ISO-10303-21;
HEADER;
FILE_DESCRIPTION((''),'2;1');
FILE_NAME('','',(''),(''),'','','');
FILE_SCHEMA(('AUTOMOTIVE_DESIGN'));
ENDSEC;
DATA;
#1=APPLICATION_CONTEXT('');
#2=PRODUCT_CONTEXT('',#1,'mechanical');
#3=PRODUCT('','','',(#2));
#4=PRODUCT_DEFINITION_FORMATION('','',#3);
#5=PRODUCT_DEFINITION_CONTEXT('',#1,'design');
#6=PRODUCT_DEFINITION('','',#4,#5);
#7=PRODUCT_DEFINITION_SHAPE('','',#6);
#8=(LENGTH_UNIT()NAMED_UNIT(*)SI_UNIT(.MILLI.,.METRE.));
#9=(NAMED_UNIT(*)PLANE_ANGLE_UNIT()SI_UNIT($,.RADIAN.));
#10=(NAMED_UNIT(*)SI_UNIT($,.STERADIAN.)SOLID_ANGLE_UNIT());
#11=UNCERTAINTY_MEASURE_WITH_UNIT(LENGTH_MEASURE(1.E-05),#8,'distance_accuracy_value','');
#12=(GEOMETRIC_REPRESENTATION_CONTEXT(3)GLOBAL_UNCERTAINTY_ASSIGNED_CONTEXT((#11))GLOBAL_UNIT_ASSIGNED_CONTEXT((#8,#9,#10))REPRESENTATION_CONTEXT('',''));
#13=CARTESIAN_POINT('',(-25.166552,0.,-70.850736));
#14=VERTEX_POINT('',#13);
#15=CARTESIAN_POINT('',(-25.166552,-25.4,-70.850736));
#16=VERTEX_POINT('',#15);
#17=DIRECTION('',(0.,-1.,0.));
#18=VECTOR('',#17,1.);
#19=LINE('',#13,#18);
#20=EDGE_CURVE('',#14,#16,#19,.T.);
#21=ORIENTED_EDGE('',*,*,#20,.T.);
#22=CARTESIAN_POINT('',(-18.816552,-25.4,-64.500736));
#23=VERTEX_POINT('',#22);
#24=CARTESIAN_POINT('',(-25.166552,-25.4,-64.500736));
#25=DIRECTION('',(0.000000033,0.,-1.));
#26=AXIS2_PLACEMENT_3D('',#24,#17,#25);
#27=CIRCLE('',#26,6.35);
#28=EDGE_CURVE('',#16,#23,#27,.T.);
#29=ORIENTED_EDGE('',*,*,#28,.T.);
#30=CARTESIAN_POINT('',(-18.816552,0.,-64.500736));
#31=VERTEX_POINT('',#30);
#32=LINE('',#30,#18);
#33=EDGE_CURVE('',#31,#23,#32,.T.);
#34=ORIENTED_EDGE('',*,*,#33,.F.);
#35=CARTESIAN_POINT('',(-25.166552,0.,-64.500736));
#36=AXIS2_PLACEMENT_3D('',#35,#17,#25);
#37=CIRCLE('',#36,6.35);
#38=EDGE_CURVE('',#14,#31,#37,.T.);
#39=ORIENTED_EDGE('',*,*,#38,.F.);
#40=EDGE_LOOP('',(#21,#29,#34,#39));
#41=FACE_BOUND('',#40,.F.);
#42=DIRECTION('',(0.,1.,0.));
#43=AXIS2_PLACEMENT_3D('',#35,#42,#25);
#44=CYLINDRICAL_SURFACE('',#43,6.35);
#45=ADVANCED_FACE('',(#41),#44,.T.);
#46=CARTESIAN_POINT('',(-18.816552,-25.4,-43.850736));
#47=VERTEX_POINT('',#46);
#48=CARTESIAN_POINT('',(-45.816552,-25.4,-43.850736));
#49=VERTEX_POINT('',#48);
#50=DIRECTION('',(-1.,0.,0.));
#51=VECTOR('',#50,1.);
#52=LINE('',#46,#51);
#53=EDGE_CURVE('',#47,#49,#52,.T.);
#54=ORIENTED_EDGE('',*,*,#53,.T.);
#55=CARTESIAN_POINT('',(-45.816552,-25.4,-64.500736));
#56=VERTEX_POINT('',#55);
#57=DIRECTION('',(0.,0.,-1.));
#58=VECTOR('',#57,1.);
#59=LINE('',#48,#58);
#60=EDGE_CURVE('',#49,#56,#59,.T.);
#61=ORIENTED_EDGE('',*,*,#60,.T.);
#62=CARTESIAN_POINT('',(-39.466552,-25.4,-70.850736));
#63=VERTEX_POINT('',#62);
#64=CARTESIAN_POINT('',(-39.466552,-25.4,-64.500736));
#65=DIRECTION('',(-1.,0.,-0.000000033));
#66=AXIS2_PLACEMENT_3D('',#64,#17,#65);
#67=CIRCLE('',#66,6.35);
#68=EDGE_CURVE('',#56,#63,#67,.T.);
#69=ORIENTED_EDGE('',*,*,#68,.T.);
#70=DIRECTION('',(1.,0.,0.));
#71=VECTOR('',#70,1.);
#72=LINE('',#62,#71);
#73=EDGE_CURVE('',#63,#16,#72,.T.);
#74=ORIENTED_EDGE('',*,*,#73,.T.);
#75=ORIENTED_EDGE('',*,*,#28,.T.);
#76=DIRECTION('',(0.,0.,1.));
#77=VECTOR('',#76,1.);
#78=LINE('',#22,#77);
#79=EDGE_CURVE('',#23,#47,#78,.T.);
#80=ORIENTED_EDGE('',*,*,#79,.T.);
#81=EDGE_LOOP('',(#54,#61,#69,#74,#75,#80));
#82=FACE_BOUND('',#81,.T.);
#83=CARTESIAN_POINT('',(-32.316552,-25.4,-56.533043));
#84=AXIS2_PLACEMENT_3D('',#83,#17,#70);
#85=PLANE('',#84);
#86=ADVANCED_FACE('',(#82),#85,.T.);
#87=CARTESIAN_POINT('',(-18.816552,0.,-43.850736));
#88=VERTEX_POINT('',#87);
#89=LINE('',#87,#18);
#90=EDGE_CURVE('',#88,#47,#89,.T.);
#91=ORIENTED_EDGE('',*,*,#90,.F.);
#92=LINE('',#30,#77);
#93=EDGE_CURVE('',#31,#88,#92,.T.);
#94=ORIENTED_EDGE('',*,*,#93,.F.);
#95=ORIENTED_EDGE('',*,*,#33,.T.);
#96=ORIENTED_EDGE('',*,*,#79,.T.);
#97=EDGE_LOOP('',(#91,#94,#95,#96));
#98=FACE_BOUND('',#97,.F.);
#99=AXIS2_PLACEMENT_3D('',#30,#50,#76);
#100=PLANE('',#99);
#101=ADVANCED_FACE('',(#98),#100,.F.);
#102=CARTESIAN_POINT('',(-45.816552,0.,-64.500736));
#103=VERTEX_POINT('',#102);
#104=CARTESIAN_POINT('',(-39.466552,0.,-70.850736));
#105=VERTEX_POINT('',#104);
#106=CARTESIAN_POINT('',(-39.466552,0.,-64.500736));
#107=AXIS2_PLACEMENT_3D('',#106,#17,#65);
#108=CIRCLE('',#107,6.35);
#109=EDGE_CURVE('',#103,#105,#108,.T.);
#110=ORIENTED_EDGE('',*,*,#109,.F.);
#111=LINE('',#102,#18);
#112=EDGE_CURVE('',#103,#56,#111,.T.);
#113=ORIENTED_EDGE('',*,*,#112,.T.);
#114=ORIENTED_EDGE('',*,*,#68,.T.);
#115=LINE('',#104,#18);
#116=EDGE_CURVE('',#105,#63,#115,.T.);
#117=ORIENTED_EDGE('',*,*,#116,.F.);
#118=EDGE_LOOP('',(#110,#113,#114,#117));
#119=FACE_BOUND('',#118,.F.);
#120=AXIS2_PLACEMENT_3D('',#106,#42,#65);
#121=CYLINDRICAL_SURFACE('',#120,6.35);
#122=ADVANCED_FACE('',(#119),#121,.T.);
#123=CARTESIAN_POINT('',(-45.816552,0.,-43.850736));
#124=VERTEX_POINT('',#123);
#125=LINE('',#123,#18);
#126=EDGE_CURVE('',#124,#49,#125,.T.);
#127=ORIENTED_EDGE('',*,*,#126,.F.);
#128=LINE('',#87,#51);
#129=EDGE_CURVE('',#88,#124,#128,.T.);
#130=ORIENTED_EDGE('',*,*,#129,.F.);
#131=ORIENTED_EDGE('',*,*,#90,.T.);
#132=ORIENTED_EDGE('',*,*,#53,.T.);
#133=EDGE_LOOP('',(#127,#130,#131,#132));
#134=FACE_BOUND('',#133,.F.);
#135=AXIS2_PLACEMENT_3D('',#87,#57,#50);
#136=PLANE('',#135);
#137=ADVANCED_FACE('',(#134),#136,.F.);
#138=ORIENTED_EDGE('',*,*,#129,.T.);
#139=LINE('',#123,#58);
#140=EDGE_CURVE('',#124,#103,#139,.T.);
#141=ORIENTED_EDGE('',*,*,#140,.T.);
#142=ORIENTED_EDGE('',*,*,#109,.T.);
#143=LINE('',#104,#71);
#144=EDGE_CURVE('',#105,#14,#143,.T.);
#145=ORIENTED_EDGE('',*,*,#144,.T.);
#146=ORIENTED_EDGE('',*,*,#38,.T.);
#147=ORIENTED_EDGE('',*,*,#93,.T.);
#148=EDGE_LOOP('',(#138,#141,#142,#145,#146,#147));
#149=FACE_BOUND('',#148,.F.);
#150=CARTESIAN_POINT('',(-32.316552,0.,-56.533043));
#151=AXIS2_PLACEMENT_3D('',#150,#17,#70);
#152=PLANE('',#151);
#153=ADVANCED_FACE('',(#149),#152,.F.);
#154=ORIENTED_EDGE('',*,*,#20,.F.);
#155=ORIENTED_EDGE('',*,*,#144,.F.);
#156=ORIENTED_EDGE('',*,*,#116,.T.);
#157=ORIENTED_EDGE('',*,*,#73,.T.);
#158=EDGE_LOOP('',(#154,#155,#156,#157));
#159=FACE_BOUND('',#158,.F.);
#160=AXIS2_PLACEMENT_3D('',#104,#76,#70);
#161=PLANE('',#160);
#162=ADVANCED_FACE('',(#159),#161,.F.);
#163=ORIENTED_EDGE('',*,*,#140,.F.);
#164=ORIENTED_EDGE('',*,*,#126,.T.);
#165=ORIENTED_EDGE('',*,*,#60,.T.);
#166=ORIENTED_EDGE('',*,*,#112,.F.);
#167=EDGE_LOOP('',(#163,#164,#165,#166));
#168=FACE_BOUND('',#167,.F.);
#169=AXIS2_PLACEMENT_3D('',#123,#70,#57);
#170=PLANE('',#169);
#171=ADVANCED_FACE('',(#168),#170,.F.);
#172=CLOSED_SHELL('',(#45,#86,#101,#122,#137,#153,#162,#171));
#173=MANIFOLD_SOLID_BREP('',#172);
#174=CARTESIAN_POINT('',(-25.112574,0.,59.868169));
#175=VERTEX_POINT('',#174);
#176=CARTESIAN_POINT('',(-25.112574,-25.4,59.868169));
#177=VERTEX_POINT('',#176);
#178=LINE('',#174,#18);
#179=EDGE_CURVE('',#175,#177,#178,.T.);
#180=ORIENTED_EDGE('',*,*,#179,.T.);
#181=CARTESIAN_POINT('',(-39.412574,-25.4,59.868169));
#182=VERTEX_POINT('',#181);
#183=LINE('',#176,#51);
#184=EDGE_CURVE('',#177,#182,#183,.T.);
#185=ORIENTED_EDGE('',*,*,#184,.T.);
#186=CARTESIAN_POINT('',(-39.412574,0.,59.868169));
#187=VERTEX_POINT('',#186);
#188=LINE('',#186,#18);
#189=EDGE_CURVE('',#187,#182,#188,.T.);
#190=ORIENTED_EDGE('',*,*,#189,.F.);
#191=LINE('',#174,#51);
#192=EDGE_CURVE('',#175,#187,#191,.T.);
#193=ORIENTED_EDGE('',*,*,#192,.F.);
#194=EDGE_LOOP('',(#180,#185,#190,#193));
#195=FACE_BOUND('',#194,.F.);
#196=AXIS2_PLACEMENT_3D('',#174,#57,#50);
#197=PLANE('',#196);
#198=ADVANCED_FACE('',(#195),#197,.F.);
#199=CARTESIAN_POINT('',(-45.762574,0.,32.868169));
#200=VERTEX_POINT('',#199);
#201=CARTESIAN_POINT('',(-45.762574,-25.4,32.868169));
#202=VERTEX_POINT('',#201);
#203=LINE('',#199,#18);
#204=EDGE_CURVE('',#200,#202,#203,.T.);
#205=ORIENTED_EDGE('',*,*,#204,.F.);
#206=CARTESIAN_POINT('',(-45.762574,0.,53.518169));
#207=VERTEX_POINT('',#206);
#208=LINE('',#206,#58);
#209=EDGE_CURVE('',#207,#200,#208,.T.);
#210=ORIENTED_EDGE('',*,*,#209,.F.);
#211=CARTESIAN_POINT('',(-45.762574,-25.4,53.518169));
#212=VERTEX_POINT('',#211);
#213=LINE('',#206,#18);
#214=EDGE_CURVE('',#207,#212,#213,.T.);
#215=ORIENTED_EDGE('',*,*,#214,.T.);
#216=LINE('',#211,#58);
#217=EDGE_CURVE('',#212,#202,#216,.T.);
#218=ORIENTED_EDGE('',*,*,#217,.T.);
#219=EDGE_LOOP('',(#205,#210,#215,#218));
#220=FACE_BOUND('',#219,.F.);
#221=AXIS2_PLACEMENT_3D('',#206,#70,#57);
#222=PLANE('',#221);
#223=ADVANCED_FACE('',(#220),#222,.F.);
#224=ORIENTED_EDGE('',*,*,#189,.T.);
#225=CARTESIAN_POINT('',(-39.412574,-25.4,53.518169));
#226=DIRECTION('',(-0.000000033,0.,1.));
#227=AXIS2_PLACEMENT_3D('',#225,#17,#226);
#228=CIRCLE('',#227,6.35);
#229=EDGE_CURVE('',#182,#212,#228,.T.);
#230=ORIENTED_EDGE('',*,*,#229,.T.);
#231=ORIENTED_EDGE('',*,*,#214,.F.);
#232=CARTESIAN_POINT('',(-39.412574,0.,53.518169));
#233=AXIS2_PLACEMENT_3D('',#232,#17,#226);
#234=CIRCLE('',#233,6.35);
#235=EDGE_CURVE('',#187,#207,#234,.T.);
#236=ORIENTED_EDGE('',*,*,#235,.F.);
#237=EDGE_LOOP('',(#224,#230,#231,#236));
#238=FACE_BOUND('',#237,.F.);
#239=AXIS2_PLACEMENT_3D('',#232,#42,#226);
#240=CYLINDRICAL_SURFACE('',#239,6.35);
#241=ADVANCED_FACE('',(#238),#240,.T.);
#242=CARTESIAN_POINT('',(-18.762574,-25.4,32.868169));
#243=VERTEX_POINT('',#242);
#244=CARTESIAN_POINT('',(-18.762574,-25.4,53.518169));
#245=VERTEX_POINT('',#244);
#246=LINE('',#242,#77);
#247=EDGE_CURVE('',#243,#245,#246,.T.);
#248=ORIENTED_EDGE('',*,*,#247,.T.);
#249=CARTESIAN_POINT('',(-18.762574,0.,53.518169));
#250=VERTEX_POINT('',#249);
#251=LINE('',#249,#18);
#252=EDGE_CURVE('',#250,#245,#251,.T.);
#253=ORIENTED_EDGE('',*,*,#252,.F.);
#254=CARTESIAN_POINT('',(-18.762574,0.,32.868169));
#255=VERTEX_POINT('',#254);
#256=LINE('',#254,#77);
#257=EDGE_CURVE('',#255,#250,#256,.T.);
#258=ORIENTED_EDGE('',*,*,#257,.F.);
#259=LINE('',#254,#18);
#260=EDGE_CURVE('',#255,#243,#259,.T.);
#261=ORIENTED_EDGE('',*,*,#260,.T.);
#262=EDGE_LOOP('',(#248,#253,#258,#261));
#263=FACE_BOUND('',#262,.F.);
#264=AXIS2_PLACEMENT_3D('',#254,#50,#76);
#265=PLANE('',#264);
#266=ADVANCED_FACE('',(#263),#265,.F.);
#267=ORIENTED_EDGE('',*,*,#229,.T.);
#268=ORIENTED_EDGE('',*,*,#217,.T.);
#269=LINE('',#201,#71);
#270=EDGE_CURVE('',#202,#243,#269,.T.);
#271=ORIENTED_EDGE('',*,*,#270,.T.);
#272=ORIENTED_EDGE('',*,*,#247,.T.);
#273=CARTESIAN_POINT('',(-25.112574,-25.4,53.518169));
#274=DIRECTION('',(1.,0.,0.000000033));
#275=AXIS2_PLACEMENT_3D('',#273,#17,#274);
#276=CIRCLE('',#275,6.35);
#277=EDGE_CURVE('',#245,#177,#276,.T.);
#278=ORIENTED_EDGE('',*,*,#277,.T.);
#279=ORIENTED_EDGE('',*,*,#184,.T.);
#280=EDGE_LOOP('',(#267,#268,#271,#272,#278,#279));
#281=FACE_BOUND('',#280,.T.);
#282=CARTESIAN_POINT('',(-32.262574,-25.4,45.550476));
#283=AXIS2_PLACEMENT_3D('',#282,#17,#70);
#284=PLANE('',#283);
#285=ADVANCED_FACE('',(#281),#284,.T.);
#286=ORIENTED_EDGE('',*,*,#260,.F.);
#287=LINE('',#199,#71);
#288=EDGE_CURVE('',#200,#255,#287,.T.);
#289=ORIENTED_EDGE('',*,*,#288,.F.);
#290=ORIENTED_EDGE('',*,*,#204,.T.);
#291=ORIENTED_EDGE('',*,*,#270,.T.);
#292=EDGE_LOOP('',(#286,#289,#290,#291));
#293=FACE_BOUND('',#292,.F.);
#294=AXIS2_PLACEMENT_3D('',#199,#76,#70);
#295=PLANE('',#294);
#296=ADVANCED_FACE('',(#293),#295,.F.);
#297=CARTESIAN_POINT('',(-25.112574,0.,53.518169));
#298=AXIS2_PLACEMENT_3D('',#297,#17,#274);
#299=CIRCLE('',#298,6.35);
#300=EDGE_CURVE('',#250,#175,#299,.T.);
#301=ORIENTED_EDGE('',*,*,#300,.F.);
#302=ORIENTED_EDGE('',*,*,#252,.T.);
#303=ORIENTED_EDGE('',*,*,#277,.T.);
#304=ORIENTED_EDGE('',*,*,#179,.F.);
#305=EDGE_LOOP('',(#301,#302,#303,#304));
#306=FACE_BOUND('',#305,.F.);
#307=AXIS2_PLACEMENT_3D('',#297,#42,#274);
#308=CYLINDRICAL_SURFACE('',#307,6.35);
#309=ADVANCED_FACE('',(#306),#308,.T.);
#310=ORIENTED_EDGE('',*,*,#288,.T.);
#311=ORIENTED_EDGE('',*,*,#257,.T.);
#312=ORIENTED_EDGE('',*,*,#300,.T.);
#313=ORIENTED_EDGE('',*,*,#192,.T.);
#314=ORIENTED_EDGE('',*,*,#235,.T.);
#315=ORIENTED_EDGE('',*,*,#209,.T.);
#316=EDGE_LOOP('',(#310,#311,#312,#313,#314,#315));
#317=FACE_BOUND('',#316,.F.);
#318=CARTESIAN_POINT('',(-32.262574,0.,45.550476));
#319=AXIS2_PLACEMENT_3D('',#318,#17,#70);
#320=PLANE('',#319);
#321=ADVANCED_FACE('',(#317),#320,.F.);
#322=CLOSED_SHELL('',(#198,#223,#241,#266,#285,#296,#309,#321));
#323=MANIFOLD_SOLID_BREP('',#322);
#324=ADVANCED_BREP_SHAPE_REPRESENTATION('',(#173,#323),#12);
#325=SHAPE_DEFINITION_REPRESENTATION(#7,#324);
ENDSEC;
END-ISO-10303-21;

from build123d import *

# Parameters (mm, degrees)
F1_DEPTH = 25.4


with BuildPart() as f1:
    # F0 (on Front) → F1 (new body)
    with BuildSketch(Plane.XZ):
        with BuildLine():
            Line((-25.112574, 59.868169), (-39.412574, 59.868169))
            ThreePointArc((-39.412574, 59.868169), (-43.902702, 58.008297), (-45.762574, 53.518169))
            Line((-45.762574, 53.518169), (-45.762574, 32.868169))
            Line((-45.762574, 32.868169), (-18.762574, 32.868169))
            Line((-18.762574, 32.868169), (-18.762574, 53.518169))
            ThreePointArc((-18.762574, 53.518169), (-20.622446, 58.008297), (-25.112574, 59.868169))
        make_face()
        with BuildLine():
            Line((-39.466552, -70.850736), (-25.166552, -70.850736))
            ThreePointArc((-25.166552, -70.850736), (-20.676424, -68.990864), (-18.816552, -64.500736))
            Line((-18.816552, -64.500736), (-18.816552, -43.850736))
            Line((-18.816552, -43.850736), (-45.816552, -43.850736))
            Line((-45.816552, -43.850736), (-45.816552, -64.500736))
            ThreePointArc((-45.816552, -64.500736), (-43.95668, -68.990864), (-39.466552, -70.850736))
        make_face()
    extrude(amount=F1_DEPTH)


solid = f1.part
